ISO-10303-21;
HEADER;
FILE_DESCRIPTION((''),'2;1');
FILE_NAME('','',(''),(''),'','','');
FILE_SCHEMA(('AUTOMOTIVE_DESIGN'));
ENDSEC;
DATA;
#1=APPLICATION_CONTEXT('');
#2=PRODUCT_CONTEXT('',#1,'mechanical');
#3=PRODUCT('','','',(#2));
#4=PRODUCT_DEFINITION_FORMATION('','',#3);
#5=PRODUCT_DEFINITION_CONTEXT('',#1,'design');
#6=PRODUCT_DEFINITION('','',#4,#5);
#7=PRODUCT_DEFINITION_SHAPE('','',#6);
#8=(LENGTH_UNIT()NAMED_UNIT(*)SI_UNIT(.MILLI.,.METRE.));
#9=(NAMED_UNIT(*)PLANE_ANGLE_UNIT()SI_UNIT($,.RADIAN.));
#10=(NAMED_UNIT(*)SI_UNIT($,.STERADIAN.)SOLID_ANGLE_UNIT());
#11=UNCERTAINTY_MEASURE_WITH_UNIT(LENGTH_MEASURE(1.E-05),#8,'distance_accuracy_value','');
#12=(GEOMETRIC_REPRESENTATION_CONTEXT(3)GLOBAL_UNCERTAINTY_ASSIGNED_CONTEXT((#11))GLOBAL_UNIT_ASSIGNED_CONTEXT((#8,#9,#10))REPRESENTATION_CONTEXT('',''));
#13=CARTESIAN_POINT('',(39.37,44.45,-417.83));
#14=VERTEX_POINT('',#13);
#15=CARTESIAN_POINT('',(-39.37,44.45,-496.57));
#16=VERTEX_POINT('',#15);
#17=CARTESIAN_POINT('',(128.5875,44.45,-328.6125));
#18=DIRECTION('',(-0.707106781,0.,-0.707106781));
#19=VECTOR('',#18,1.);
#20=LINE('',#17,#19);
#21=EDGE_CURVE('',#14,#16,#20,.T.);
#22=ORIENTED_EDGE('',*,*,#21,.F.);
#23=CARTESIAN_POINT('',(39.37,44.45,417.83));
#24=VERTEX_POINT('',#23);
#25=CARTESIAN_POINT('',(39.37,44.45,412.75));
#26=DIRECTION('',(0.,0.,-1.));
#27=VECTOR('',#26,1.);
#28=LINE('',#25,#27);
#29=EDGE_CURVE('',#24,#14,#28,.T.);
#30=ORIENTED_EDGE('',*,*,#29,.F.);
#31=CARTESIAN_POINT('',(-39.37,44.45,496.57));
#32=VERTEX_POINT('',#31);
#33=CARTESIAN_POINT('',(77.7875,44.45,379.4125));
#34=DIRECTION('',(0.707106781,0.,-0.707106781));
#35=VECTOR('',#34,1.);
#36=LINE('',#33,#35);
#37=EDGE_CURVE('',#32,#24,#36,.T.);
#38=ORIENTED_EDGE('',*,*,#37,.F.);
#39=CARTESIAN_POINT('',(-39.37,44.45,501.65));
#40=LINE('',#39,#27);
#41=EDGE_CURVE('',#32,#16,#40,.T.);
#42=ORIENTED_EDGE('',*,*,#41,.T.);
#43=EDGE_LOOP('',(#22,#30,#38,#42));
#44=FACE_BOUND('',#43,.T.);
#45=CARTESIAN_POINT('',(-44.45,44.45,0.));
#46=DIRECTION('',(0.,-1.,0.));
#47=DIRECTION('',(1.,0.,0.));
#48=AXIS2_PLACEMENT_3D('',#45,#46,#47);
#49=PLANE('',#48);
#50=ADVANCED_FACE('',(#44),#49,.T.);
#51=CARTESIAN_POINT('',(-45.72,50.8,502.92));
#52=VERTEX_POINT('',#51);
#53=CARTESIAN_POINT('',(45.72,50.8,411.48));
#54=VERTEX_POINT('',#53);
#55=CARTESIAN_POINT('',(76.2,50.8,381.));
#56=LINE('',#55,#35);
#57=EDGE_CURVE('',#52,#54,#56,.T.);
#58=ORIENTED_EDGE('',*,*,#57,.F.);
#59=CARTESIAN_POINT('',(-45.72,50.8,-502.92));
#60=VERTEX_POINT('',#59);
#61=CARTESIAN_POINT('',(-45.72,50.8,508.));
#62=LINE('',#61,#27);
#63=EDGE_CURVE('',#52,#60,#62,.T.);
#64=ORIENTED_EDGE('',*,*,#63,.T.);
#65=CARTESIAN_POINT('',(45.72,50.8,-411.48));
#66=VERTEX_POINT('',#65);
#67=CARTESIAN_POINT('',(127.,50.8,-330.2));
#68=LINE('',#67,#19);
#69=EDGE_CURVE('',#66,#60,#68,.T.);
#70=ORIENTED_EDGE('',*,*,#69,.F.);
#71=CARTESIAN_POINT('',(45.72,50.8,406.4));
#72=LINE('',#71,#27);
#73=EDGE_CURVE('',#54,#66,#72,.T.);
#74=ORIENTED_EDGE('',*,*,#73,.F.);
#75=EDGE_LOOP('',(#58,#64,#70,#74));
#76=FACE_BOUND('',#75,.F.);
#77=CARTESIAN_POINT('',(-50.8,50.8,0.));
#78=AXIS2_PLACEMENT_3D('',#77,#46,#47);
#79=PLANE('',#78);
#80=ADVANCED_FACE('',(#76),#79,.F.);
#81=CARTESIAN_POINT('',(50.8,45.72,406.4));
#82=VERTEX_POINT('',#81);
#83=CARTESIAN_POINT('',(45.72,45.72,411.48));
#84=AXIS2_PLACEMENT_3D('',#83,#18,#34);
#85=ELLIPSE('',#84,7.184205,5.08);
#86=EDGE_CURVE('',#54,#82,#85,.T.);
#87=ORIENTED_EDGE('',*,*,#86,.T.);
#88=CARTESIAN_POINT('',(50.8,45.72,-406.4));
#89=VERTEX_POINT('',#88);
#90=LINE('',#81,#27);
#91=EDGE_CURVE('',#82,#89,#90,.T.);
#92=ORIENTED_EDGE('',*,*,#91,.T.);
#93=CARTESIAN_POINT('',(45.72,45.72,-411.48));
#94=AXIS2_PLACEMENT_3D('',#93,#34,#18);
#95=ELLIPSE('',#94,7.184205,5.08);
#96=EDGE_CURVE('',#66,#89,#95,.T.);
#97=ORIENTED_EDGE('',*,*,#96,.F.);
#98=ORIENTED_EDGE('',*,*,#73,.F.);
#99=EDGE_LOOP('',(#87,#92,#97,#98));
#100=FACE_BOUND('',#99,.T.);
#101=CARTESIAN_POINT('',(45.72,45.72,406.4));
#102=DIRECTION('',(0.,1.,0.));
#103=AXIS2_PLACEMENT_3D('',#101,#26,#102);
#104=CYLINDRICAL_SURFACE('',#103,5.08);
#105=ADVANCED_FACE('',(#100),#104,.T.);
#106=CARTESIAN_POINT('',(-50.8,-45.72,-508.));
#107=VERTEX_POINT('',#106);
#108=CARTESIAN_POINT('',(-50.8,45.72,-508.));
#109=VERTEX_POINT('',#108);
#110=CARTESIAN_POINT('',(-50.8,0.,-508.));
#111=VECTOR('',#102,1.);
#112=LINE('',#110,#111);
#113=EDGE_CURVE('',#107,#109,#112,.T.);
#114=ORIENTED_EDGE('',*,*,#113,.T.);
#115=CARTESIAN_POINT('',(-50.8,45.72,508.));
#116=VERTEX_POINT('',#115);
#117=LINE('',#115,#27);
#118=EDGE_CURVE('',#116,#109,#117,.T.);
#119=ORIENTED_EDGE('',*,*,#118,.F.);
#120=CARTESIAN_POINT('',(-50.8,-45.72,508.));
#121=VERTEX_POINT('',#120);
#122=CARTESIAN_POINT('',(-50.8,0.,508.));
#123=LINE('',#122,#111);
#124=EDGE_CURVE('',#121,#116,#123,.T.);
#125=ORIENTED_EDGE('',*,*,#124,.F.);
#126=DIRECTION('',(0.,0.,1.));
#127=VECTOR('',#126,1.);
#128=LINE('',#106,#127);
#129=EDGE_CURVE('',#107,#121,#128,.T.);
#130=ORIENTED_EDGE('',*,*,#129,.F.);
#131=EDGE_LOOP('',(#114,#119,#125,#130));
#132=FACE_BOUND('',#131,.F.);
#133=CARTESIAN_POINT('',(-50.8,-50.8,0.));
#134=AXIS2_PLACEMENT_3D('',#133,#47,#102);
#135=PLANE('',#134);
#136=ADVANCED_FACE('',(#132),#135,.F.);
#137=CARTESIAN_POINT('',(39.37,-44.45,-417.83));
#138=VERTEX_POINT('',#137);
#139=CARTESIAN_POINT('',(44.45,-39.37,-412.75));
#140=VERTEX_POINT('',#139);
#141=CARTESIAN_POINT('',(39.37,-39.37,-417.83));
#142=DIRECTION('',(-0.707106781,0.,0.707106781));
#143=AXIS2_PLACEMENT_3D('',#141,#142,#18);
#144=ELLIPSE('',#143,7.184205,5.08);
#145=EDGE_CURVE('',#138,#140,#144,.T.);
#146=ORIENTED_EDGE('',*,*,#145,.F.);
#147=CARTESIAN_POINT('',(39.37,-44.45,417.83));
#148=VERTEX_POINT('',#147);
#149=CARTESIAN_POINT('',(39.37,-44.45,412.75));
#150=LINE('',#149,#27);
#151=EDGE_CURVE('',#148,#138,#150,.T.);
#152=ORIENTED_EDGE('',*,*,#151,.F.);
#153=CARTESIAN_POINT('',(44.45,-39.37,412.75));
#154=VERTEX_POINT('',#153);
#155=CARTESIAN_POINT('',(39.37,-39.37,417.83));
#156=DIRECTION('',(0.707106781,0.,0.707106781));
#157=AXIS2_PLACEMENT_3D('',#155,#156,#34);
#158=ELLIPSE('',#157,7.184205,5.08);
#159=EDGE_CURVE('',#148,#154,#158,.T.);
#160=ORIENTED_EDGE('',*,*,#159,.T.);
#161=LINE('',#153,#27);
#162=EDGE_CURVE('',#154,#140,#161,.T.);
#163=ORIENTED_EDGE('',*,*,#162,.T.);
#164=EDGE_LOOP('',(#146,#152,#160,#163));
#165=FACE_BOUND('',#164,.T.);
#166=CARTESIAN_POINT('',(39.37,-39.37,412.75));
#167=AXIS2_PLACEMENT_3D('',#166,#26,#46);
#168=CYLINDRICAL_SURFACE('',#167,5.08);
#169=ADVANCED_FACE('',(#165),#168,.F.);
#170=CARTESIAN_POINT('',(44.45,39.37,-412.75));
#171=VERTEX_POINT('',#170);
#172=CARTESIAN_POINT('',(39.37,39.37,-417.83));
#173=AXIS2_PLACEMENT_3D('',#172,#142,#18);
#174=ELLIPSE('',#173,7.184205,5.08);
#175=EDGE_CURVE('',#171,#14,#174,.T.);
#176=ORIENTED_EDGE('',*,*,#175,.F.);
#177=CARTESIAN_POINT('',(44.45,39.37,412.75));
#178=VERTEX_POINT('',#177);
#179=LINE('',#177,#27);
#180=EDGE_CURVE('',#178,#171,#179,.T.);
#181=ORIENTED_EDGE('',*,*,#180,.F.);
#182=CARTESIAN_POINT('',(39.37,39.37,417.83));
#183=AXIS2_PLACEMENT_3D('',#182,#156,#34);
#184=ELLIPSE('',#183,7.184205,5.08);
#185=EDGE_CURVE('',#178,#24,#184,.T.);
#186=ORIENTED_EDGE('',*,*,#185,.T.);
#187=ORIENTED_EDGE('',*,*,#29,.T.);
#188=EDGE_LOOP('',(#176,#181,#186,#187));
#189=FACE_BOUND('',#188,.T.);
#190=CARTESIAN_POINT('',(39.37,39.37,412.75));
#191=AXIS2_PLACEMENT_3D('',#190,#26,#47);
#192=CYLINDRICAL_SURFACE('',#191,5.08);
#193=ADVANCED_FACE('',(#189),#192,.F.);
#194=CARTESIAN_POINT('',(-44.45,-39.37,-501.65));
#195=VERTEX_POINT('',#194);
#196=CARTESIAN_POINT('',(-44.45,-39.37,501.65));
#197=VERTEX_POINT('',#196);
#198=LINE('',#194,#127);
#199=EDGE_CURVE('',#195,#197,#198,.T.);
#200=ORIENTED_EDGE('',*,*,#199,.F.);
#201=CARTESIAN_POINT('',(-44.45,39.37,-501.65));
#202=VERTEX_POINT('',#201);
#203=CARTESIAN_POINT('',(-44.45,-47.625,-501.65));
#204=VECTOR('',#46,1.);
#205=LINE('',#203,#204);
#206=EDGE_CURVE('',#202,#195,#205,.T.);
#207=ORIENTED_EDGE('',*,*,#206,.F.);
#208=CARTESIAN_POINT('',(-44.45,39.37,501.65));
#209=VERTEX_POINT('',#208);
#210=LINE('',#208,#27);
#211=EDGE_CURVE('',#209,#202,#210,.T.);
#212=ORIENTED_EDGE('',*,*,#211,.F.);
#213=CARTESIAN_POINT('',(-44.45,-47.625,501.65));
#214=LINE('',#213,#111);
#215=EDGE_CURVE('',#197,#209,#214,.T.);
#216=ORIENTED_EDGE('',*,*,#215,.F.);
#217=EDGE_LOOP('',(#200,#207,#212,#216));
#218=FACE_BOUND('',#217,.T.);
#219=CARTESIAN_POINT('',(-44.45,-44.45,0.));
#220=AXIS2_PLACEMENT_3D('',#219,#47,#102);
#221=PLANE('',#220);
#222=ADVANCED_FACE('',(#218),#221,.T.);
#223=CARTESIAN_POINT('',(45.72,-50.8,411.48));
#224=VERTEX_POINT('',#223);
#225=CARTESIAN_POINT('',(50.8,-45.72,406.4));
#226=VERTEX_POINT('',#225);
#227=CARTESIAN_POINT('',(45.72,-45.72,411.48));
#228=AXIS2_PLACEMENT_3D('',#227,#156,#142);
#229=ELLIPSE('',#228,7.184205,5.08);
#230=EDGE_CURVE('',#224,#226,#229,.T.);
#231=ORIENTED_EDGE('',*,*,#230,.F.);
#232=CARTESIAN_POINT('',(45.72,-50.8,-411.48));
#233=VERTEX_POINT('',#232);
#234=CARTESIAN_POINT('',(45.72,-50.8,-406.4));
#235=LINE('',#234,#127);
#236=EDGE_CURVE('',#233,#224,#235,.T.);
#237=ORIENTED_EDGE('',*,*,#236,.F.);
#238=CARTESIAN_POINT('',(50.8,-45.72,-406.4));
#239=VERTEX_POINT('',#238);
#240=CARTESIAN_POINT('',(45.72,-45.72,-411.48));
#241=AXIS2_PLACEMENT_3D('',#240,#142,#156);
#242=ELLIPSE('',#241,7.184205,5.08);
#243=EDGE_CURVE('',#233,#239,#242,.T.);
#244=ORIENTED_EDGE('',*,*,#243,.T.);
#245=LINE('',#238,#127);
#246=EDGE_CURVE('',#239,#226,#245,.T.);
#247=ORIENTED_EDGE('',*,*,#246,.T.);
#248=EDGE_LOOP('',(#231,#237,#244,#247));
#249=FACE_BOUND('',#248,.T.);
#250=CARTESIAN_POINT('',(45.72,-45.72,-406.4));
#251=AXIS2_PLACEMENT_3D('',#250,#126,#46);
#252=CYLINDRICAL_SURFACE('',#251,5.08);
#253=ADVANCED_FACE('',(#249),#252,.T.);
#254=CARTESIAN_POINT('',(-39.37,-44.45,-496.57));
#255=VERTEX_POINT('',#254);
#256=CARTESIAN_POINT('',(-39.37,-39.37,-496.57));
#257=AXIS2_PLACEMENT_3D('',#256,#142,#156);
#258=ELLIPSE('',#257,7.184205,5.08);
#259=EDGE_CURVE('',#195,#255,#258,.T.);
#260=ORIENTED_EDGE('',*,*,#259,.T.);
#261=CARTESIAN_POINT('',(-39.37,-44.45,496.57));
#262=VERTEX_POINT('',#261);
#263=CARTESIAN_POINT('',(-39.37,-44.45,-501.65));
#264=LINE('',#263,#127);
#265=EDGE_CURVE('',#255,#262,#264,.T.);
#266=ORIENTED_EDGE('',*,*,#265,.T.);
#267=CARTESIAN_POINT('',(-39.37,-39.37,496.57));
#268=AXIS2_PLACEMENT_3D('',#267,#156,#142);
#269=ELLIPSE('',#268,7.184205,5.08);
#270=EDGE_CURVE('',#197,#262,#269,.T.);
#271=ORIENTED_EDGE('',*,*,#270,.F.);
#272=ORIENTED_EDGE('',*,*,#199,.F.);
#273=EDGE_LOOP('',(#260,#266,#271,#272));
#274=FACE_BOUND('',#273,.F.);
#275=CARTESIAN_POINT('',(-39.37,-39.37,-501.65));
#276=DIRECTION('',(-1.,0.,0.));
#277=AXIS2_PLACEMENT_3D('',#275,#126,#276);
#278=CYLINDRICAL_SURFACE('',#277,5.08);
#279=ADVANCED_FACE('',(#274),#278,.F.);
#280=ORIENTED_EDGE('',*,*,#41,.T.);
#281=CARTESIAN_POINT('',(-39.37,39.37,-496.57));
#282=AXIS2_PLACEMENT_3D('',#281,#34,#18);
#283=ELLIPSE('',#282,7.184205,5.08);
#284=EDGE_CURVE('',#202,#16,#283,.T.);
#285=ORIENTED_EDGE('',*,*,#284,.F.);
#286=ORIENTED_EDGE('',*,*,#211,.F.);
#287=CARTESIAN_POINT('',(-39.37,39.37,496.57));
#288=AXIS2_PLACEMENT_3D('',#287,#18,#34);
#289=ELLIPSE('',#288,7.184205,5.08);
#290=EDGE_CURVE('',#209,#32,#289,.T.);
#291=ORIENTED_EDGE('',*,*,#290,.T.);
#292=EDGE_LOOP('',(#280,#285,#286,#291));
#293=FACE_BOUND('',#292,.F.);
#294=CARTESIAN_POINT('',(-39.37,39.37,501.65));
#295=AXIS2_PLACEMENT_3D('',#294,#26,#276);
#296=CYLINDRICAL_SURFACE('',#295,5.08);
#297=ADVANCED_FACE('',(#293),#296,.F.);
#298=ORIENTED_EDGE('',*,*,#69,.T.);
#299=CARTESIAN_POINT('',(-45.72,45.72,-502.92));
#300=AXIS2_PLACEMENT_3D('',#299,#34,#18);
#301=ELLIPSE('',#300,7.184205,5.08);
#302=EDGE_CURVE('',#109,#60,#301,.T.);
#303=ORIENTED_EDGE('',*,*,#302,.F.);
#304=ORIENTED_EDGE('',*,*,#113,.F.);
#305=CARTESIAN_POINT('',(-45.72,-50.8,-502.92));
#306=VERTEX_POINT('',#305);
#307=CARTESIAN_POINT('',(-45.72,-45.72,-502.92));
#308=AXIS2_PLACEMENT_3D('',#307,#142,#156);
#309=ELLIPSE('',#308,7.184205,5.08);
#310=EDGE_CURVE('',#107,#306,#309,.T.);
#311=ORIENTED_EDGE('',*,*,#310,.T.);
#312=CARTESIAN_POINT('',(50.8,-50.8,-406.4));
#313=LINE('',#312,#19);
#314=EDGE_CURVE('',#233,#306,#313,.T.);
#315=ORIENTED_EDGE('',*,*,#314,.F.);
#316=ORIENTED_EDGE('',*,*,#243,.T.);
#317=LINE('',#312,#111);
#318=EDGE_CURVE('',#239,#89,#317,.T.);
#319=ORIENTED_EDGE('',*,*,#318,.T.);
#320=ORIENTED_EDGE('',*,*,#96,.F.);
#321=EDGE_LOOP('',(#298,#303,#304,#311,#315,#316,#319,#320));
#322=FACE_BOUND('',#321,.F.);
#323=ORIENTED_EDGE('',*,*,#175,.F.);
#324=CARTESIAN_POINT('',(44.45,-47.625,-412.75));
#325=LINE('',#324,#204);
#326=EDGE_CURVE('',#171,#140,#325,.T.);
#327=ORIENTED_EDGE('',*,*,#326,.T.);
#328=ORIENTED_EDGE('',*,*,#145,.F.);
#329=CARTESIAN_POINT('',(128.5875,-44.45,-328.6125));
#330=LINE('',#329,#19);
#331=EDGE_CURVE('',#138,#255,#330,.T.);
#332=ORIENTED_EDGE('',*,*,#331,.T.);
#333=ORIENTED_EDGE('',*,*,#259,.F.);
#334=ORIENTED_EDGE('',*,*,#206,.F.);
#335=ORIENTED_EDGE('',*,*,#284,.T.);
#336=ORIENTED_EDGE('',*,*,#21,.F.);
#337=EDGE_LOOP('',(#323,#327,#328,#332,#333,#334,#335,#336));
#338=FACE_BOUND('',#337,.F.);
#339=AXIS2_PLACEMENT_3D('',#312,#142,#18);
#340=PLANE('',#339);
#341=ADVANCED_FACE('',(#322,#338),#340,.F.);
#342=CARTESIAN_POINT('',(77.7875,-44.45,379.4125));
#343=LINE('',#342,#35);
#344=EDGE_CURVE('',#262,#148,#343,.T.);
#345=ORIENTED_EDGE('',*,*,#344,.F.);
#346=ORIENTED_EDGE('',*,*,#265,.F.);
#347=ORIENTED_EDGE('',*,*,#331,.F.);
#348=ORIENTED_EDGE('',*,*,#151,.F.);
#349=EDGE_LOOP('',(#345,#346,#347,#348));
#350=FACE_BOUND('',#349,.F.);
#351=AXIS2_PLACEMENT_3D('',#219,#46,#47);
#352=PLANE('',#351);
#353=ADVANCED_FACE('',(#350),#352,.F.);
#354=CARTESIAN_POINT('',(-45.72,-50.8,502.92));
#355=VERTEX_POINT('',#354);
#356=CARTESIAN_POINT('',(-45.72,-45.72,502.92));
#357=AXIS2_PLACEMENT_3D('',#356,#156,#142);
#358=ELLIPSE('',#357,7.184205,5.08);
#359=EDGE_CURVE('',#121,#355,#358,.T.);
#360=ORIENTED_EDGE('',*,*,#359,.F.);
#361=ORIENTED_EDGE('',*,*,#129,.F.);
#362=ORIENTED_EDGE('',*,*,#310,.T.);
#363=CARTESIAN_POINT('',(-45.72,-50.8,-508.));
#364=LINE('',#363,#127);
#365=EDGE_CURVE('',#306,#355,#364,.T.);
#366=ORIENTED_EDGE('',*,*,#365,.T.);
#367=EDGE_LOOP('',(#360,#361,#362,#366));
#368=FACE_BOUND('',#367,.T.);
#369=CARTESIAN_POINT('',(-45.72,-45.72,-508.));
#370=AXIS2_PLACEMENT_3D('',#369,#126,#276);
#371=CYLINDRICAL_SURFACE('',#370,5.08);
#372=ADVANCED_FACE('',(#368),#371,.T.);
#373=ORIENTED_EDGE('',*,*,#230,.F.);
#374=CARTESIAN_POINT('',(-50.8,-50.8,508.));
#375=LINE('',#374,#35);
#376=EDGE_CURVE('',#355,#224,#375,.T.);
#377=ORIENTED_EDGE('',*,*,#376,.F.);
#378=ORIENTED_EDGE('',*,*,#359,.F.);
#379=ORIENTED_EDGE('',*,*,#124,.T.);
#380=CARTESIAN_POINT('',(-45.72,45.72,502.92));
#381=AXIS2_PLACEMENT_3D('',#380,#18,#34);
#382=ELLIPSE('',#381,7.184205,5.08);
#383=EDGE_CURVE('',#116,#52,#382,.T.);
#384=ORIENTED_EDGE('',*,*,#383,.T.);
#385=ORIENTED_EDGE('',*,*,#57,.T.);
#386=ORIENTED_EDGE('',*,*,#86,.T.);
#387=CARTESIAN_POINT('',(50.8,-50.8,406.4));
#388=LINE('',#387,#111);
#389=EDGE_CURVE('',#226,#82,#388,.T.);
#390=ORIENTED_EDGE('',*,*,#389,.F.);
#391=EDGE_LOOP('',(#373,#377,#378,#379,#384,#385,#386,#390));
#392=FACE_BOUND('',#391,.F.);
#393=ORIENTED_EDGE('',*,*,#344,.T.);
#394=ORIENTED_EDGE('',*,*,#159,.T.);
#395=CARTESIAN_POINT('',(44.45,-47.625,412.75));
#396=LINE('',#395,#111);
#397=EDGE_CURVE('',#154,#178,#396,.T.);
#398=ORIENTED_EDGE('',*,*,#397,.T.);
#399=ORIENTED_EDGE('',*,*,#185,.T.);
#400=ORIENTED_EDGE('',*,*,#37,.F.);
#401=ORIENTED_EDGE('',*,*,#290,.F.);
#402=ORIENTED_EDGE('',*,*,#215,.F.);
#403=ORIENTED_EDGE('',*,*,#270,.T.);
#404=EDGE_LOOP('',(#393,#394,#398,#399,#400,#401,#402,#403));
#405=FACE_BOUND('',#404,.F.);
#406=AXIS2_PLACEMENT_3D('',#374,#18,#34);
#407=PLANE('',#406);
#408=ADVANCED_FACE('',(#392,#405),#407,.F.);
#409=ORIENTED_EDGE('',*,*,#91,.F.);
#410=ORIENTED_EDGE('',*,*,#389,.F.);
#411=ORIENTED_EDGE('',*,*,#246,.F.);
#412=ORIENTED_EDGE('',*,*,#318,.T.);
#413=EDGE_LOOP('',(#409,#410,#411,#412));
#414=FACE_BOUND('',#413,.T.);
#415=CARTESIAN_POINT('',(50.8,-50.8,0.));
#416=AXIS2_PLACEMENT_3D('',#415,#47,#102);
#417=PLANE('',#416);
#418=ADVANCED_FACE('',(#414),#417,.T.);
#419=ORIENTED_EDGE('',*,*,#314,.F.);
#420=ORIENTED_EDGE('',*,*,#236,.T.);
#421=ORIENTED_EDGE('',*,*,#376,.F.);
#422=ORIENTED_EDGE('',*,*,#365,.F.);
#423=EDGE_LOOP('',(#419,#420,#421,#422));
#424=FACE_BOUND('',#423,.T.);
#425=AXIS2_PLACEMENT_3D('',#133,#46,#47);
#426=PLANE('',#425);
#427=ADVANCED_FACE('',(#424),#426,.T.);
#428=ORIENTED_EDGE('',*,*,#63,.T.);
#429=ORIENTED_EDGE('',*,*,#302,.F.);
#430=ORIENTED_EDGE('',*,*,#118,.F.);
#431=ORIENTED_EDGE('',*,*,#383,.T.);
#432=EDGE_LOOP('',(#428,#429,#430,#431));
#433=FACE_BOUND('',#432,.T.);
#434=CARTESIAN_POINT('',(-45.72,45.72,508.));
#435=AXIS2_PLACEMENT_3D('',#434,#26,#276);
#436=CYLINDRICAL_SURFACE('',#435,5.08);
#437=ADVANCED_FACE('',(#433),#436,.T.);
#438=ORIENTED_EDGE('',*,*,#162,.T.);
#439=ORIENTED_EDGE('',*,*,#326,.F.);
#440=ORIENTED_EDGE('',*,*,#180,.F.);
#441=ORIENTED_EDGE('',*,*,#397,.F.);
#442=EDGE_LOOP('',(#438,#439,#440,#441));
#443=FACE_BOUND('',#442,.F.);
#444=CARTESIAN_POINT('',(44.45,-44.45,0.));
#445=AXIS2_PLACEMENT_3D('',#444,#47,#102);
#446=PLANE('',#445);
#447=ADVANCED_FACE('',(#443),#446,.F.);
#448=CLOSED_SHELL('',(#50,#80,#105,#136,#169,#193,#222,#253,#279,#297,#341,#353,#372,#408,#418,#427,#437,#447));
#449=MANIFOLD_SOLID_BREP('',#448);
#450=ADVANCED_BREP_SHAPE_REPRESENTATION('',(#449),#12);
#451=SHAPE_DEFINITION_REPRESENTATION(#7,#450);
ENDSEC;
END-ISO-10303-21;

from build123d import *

# Parameters (mm, degrees)
F0_W     = 101.6
F0_H     = 101.6
F0_W_2   = 88.9
F0_H_2   = 88.9
F1_DEPTH = 508
F3_DEPTH = 101.601
F4_R     = 5.08


with BuildPart() as f1:
    # F0 (on Top) → F1 (new body, symmetric)
    with BuildSketch(Plane.XY):
        Rectangle(F0_W, F0_H)
        Rectangle(F0_W_2, F0_H_2, mode=Mode.SUBTRACT)
    extrude(amount=F1_DEPTH, both=True)

    # F2 (on face) → F3 (cut, through all)
    with BuildSketch(Plane.XZ.offset(50.8)):
        Polygon((50.8, 508), (-50.8, 508), (50.8, 406.4), align=None)
        Polygon((50.8, -406.4), (-50.8, -508), (50.8, -508), align=None)
    extrude(amount=-F3_DEPTH, mode=Mode.SUBTRACT)

    # F4
    f4_edges = [f1.edges().sort_by_distance(p)[0] for p in [
        (-50.8, -50.8, 0),
        (50.8, -50.8, 0),
        (-50.8, 50.8, 0),
        (50.8, 50.8, 0),
        (44.45, 44.45, 0),
        (-44.45, 44.45, 0),
        (-44.45, -44.45, 0),
        (44.45, -44.45, 0),
    ]]
    fillet(f4_edges, radius=F4_R)


solid = f1.part
